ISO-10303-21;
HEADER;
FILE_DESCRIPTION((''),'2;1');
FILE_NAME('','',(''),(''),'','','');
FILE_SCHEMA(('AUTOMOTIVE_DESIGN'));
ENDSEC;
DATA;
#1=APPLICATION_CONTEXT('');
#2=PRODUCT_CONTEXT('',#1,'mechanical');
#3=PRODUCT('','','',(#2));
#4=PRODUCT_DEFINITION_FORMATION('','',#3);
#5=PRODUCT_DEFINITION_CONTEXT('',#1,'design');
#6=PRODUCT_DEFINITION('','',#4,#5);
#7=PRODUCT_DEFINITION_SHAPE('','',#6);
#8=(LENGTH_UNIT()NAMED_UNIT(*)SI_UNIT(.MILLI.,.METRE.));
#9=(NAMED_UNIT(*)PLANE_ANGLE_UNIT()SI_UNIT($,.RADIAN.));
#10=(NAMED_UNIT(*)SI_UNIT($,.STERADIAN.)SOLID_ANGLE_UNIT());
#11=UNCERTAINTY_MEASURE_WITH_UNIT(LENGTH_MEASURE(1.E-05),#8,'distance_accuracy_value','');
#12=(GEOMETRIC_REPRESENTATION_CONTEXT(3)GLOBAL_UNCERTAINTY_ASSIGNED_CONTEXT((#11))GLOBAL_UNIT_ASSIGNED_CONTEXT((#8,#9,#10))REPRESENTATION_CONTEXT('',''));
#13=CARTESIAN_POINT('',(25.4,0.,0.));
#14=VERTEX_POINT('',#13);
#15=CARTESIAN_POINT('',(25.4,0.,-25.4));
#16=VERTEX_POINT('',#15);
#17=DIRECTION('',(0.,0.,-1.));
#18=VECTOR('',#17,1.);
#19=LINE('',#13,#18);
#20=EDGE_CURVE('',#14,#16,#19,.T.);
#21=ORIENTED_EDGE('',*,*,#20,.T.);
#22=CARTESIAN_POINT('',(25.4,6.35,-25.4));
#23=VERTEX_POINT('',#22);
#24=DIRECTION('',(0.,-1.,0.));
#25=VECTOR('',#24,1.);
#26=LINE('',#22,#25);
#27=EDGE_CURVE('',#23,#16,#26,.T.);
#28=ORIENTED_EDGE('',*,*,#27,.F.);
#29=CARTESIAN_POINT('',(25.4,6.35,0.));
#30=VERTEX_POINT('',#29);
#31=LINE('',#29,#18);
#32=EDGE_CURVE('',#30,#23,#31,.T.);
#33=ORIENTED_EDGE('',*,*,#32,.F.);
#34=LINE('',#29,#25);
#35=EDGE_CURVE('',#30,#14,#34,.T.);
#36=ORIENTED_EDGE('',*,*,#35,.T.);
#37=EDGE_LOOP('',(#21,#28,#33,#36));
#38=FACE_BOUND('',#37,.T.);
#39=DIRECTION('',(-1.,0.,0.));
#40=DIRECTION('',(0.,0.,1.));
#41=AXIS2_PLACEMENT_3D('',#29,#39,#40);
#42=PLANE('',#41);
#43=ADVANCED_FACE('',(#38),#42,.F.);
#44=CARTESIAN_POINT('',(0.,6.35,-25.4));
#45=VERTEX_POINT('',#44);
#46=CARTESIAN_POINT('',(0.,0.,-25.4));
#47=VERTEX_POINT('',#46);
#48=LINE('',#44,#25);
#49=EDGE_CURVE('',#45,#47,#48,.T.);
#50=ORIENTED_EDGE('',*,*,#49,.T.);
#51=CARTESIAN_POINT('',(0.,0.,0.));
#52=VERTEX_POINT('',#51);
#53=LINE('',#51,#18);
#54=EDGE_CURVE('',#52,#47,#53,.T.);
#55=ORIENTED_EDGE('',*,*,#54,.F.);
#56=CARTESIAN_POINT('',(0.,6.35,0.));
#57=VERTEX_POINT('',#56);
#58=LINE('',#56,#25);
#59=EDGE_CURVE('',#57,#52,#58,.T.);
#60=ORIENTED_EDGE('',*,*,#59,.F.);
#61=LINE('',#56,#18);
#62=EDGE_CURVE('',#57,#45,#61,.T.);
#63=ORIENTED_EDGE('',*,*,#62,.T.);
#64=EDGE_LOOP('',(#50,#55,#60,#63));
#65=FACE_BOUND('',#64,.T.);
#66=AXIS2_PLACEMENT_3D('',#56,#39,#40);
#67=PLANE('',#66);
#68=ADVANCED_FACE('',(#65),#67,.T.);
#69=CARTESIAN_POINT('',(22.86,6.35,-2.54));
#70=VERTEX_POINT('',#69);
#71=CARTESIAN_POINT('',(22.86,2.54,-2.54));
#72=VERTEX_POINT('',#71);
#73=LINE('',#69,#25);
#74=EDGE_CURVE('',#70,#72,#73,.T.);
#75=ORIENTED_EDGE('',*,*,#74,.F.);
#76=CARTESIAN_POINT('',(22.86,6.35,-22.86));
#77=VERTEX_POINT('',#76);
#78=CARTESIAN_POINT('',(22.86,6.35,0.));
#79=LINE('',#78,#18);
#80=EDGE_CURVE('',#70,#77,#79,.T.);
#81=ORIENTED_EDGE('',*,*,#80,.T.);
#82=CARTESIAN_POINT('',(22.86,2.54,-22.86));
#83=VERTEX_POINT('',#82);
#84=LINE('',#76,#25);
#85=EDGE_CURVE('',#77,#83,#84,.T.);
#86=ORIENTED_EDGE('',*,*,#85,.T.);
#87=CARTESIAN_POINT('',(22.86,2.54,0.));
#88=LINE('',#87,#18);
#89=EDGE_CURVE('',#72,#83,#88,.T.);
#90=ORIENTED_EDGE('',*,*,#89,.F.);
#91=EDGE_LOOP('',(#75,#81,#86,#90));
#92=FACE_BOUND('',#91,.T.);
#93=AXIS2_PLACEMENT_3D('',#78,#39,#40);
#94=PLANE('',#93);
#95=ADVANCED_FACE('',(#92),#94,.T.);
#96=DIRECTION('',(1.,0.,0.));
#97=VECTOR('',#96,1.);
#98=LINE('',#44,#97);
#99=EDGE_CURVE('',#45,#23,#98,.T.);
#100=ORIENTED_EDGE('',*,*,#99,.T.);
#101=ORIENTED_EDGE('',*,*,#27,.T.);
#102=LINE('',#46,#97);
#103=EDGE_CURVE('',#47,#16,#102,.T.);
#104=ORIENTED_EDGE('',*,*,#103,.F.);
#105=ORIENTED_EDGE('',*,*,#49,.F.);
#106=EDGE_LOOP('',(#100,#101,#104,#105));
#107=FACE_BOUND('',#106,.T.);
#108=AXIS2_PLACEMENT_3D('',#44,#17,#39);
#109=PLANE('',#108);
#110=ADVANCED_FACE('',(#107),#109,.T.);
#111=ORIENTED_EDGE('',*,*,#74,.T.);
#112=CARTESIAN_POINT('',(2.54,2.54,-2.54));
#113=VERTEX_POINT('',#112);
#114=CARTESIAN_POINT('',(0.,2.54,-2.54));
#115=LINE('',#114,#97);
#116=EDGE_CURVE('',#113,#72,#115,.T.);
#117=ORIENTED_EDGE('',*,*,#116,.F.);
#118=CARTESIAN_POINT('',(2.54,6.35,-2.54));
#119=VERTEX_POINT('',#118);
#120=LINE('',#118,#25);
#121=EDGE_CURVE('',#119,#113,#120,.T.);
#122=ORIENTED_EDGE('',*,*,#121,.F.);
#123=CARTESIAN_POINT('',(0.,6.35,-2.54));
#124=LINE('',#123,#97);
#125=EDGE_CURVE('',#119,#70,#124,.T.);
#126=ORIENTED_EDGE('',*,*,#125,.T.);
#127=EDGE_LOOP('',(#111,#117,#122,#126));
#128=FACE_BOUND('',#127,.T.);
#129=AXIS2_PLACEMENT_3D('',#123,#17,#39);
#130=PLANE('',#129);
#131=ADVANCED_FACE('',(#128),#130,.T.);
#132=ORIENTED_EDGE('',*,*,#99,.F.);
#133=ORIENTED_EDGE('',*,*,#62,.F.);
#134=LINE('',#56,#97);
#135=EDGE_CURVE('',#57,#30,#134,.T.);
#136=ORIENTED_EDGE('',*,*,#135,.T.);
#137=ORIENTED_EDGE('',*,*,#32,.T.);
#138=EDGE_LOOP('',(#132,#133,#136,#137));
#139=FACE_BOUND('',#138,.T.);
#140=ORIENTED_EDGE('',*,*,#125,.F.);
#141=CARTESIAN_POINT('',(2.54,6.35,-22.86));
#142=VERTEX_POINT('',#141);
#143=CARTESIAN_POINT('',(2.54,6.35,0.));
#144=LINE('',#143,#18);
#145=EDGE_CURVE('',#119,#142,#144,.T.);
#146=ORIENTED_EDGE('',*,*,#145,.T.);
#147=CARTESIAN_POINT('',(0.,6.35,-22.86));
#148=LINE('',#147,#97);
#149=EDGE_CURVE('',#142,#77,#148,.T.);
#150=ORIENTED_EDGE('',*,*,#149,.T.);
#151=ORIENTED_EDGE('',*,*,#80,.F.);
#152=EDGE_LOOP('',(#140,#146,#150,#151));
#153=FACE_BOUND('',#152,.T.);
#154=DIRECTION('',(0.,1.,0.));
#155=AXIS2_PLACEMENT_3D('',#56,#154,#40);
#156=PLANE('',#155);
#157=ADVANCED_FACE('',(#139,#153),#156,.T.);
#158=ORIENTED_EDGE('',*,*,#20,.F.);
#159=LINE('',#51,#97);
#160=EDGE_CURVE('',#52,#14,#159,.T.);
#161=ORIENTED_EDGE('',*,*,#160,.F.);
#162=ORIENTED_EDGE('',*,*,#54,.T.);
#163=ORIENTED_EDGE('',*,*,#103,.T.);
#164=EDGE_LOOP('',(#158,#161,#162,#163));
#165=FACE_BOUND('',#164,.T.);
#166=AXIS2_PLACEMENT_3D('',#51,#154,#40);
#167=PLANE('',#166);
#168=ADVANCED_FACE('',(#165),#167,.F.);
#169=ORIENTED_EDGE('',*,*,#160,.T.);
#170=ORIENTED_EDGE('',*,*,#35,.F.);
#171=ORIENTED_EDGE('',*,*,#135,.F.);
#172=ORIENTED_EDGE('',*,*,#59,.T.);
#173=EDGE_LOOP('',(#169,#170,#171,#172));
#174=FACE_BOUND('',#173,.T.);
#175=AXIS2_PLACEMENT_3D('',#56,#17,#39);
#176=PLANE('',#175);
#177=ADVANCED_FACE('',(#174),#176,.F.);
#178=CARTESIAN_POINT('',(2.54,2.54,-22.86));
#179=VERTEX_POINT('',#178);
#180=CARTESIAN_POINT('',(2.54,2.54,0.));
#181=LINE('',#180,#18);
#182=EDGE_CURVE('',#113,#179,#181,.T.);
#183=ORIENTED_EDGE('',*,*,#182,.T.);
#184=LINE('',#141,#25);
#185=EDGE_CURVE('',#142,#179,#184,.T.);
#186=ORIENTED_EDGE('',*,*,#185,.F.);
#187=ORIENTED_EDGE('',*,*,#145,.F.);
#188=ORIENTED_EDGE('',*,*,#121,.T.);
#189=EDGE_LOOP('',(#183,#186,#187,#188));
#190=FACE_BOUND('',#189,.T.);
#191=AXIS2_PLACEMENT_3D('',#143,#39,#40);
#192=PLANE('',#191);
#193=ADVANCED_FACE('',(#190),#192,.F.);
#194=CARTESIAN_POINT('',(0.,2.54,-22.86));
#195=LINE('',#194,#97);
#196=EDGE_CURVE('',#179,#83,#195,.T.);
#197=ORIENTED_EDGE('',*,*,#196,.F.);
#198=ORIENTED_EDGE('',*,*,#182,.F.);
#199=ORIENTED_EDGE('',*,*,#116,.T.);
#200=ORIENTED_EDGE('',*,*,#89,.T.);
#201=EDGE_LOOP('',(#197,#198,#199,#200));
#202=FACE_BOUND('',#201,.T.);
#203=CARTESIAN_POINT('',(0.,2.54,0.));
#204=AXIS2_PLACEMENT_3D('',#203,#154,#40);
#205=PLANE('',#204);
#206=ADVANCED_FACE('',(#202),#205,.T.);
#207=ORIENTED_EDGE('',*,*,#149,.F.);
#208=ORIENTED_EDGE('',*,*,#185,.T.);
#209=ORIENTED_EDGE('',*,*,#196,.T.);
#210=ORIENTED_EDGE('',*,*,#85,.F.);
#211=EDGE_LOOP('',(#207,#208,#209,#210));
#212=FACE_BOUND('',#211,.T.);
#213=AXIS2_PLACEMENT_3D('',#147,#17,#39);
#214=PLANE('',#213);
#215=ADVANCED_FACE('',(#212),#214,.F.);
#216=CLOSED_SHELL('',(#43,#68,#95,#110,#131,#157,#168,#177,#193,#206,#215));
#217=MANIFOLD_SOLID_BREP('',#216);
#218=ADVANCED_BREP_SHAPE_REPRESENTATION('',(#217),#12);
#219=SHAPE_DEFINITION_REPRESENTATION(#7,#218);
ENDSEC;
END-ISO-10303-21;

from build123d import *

# Parameters (mm, degrees)
SKETCH2_W           = 25.4
SKETCH2_H           = 25.4
BOSS_EXTRUDE1_DEPTH = 6.35
SHELL2_T            = -2.54


with BuildPart() as part:
    # Sketch2 → Boss-Extrude1 (new body)
    with BuildSketch(Plane(origin=(0, 0, 0), x_dir=(1, 0, 0), z_dir=(0, 1, 0))):
        with Locations((12.7, 12.7)):
            Rectangle(SKETCH2_W, SKETCH2_H)
    extrude(amount=BOSS_EXTRUDE1_DEPTH)

    # Shell2
    shell2_openings = [part.faces().sort_by_distance(p)[0] for p in [
        (12.7, 6.35, -12.7),
    ]]
    offset(amount=SHELL2_T, openings=shell2_openings, kind=Kind.INTERSECTION)


solid = part.part
